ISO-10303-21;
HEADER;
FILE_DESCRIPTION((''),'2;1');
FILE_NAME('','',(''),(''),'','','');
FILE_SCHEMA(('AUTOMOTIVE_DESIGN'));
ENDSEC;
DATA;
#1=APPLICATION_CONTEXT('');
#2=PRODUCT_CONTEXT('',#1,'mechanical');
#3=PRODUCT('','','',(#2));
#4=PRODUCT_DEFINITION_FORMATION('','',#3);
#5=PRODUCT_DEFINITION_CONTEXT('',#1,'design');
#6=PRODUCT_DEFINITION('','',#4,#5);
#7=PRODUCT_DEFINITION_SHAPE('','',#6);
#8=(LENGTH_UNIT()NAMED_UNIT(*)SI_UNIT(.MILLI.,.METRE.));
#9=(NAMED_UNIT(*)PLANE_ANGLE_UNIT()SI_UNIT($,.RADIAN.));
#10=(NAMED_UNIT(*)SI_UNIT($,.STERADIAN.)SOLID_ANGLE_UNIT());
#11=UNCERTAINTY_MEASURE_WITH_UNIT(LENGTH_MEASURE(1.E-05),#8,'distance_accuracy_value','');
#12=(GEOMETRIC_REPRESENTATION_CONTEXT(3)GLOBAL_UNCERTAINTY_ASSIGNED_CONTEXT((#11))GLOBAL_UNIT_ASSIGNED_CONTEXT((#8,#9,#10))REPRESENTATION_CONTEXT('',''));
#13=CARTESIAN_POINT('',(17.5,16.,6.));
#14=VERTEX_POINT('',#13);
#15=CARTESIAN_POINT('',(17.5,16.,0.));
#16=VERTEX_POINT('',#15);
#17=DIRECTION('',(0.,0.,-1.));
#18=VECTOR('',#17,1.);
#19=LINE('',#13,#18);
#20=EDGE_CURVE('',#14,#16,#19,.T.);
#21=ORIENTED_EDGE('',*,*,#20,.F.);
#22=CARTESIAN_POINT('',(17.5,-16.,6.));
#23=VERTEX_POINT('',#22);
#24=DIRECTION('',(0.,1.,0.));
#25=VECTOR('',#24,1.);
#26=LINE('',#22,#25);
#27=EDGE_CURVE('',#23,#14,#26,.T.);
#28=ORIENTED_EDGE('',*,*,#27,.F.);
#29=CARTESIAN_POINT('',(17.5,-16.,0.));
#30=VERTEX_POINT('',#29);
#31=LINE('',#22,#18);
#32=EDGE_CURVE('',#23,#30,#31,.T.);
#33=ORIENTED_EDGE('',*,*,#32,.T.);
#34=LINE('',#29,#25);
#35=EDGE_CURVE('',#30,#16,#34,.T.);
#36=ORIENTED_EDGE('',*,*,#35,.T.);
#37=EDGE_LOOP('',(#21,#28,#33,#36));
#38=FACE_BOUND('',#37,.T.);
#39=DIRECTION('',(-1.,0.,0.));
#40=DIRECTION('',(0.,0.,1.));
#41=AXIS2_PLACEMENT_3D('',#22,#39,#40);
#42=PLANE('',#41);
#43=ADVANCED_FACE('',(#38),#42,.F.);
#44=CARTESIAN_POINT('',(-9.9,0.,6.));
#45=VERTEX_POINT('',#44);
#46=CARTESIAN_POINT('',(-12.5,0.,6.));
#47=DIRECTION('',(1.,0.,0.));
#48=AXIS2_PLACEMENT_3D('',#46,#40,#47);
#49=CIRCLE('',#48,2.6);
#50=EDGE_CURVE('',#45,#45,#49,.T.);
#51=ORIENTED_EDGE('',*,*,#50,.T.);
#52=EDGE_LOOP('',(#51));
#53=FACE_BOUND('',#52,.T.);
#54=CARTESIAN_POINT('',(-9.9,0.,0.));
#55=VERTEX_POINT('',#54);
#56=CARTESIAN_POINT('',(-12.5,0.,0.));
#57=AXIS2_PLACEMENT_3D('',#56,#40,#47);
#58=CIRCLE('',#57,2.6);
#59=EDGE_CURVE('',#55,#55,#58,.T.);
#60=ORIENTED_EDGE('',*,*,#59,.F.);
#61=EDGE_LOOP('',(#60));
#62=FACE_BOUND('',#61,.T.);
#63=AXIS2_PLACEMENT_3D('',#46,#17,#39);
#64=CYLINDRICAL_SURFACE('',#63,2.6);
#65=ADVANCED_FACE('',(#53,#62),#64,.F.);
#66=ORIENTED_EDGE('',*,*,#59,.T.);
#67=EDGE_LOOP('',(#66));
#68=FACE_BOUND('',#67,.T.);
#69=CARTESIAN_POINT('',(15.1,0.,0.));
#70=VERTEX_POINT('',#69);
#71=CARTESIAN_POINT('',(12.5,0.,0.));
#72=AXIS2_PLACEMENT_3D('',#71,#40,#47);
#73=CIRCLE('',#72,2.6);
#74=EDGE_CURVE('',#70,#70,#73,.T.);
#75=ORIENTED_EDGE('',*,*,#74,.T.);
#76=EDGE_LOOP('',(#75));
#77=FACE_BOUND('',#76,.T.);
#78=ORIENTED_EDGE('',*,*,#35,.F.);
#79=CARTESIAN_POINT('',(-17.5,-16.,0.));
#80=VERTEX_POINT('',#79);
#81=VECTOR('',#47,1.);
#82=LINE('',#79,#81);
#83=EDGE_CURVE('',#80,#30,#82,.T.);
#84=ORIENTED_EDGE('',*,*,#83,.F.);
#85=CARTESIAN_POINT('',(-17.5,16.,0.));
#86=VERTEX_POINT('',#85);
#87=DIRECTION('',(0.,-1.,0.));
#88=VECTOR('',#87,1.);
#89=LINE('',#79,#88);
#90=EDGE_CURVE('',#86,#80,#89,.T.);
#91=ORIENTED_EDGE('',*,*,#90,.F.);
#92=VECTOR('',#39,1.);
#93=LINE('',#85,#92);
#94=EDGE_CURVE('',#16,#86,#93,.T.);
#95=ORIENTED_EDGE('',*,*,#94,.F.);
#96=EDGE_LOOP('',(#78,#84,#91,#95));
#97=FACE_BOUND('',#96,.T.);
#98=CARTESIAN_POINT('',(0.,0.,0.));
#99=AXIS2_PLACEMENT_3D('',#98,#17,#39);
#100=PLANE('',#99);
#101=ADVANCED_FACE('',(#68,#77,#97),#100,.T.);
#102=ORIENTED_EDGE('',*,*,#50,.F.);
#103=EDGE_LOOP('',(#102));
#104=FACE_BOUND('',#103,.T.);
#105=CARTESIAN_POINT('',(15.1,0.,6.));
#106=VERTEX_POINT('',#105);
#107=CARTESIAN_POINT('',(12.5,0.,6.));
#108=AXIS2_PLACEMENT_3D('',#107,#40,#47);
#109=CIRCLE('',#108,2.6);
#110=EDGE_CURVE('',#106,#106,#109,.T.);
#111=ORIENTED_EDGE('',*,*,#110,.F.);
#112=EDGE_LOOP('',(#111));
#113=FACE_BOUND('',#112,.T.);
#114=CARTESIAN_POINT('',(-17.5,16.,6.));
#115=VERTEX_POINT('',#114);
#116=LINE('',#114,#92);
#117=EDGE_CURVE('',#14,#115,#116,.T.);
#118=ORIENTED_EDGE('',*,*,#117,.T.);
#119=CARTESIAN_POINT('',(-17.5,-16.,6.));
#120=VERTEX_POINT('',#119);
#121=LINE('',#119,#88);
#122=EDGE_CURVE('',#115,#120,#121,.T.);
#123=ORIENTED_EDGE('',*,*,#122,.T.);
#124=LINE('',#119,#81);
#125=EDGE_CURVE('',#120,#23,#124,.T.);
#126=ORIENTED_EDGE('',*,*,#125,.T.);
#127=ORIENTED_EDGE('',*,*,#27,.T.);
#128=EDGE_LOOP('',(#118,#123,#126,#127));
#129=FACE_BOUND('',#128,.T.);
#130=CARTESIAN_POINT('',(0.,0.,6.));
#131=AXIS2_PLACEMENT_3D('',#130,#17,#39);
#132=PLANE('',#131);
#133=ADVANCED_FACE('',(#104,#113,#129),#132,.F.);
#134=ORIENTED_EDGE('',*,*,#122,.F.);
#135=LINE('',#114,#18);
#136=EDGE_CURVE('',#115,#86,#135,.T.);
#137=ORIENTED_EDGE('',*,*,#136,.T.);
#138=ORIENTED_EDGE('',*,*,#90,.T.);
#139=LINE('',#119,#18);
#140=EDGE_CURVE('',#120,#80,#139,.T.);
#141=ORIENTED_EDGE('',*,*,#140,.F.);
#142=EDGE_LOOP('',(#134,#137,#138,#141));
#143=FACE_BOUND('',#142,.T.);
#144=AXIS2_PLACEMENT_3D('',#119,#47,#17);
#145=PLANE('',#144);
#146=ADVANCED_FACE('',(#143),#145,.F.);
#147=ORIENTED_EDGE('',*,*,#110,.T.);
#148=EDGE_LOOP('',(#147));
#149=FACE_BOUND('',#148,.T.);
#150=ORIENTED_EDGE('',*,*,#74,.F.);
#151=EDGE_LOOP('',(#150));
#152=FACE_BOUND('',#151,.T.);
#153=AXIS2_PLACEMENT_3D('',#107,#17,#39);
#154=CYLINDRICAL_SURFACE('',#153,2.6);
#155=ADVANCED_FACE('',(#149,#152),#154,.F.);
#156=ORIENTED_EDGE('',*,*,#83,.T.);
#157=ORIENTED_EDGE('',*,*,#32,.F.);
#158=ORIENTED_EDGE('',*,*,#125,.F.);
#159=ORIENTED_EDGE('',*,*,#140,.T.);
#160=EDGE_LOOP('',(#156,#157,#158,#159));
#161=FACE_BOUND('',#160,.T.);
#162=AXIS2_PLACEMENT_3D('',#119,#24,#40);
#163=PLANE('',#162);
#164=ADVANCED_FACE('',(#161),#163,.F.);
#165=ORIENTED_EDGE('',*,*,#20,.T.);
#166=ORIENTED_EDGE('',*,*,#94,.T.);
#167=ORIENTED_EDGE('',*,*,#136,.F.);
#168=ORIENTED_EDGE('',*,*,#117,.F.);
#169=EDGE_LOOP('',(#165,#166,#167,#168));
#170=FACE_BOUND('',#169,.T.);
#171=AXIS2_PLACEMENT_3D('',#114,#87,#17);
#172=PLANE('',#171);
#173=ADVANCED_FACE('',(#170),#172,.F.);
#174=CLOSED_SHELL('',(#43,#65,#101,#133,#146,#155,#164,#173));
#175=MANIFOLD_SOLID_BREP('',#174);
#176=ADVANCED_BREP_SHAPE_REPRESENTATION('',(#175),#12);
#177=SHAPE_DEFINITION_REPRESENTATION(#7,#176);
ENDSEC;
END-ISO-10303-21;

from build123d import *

# Parameters (mm, degrees)
ESBO_O1_W                = 35
ESBO_O1_H                = 32
ESBO_O1_R                = 2.6
RESSALTO_EXTRUS_O1_DEPTH = 6


with BuildPart() as part:
    # Esboço1 → Ressalto-extrusão1 (new body)
    with BuildSketch(Plane.XY):
        Rectangle(ESBO_O1_W, ESBO_O1_H)
        with Locations((-12.5, 0)):
            Circle(ESBO_O1_R, mode=Mode.SUBTRACT)
        with Locations((12.5, 0)):
            Circle(ESBO_O1_R, mode=Mode.SUBTRACT)
    extrude(amount=RESSALTO_EXTRUS_O1_DEPTH)


solid = part.part
